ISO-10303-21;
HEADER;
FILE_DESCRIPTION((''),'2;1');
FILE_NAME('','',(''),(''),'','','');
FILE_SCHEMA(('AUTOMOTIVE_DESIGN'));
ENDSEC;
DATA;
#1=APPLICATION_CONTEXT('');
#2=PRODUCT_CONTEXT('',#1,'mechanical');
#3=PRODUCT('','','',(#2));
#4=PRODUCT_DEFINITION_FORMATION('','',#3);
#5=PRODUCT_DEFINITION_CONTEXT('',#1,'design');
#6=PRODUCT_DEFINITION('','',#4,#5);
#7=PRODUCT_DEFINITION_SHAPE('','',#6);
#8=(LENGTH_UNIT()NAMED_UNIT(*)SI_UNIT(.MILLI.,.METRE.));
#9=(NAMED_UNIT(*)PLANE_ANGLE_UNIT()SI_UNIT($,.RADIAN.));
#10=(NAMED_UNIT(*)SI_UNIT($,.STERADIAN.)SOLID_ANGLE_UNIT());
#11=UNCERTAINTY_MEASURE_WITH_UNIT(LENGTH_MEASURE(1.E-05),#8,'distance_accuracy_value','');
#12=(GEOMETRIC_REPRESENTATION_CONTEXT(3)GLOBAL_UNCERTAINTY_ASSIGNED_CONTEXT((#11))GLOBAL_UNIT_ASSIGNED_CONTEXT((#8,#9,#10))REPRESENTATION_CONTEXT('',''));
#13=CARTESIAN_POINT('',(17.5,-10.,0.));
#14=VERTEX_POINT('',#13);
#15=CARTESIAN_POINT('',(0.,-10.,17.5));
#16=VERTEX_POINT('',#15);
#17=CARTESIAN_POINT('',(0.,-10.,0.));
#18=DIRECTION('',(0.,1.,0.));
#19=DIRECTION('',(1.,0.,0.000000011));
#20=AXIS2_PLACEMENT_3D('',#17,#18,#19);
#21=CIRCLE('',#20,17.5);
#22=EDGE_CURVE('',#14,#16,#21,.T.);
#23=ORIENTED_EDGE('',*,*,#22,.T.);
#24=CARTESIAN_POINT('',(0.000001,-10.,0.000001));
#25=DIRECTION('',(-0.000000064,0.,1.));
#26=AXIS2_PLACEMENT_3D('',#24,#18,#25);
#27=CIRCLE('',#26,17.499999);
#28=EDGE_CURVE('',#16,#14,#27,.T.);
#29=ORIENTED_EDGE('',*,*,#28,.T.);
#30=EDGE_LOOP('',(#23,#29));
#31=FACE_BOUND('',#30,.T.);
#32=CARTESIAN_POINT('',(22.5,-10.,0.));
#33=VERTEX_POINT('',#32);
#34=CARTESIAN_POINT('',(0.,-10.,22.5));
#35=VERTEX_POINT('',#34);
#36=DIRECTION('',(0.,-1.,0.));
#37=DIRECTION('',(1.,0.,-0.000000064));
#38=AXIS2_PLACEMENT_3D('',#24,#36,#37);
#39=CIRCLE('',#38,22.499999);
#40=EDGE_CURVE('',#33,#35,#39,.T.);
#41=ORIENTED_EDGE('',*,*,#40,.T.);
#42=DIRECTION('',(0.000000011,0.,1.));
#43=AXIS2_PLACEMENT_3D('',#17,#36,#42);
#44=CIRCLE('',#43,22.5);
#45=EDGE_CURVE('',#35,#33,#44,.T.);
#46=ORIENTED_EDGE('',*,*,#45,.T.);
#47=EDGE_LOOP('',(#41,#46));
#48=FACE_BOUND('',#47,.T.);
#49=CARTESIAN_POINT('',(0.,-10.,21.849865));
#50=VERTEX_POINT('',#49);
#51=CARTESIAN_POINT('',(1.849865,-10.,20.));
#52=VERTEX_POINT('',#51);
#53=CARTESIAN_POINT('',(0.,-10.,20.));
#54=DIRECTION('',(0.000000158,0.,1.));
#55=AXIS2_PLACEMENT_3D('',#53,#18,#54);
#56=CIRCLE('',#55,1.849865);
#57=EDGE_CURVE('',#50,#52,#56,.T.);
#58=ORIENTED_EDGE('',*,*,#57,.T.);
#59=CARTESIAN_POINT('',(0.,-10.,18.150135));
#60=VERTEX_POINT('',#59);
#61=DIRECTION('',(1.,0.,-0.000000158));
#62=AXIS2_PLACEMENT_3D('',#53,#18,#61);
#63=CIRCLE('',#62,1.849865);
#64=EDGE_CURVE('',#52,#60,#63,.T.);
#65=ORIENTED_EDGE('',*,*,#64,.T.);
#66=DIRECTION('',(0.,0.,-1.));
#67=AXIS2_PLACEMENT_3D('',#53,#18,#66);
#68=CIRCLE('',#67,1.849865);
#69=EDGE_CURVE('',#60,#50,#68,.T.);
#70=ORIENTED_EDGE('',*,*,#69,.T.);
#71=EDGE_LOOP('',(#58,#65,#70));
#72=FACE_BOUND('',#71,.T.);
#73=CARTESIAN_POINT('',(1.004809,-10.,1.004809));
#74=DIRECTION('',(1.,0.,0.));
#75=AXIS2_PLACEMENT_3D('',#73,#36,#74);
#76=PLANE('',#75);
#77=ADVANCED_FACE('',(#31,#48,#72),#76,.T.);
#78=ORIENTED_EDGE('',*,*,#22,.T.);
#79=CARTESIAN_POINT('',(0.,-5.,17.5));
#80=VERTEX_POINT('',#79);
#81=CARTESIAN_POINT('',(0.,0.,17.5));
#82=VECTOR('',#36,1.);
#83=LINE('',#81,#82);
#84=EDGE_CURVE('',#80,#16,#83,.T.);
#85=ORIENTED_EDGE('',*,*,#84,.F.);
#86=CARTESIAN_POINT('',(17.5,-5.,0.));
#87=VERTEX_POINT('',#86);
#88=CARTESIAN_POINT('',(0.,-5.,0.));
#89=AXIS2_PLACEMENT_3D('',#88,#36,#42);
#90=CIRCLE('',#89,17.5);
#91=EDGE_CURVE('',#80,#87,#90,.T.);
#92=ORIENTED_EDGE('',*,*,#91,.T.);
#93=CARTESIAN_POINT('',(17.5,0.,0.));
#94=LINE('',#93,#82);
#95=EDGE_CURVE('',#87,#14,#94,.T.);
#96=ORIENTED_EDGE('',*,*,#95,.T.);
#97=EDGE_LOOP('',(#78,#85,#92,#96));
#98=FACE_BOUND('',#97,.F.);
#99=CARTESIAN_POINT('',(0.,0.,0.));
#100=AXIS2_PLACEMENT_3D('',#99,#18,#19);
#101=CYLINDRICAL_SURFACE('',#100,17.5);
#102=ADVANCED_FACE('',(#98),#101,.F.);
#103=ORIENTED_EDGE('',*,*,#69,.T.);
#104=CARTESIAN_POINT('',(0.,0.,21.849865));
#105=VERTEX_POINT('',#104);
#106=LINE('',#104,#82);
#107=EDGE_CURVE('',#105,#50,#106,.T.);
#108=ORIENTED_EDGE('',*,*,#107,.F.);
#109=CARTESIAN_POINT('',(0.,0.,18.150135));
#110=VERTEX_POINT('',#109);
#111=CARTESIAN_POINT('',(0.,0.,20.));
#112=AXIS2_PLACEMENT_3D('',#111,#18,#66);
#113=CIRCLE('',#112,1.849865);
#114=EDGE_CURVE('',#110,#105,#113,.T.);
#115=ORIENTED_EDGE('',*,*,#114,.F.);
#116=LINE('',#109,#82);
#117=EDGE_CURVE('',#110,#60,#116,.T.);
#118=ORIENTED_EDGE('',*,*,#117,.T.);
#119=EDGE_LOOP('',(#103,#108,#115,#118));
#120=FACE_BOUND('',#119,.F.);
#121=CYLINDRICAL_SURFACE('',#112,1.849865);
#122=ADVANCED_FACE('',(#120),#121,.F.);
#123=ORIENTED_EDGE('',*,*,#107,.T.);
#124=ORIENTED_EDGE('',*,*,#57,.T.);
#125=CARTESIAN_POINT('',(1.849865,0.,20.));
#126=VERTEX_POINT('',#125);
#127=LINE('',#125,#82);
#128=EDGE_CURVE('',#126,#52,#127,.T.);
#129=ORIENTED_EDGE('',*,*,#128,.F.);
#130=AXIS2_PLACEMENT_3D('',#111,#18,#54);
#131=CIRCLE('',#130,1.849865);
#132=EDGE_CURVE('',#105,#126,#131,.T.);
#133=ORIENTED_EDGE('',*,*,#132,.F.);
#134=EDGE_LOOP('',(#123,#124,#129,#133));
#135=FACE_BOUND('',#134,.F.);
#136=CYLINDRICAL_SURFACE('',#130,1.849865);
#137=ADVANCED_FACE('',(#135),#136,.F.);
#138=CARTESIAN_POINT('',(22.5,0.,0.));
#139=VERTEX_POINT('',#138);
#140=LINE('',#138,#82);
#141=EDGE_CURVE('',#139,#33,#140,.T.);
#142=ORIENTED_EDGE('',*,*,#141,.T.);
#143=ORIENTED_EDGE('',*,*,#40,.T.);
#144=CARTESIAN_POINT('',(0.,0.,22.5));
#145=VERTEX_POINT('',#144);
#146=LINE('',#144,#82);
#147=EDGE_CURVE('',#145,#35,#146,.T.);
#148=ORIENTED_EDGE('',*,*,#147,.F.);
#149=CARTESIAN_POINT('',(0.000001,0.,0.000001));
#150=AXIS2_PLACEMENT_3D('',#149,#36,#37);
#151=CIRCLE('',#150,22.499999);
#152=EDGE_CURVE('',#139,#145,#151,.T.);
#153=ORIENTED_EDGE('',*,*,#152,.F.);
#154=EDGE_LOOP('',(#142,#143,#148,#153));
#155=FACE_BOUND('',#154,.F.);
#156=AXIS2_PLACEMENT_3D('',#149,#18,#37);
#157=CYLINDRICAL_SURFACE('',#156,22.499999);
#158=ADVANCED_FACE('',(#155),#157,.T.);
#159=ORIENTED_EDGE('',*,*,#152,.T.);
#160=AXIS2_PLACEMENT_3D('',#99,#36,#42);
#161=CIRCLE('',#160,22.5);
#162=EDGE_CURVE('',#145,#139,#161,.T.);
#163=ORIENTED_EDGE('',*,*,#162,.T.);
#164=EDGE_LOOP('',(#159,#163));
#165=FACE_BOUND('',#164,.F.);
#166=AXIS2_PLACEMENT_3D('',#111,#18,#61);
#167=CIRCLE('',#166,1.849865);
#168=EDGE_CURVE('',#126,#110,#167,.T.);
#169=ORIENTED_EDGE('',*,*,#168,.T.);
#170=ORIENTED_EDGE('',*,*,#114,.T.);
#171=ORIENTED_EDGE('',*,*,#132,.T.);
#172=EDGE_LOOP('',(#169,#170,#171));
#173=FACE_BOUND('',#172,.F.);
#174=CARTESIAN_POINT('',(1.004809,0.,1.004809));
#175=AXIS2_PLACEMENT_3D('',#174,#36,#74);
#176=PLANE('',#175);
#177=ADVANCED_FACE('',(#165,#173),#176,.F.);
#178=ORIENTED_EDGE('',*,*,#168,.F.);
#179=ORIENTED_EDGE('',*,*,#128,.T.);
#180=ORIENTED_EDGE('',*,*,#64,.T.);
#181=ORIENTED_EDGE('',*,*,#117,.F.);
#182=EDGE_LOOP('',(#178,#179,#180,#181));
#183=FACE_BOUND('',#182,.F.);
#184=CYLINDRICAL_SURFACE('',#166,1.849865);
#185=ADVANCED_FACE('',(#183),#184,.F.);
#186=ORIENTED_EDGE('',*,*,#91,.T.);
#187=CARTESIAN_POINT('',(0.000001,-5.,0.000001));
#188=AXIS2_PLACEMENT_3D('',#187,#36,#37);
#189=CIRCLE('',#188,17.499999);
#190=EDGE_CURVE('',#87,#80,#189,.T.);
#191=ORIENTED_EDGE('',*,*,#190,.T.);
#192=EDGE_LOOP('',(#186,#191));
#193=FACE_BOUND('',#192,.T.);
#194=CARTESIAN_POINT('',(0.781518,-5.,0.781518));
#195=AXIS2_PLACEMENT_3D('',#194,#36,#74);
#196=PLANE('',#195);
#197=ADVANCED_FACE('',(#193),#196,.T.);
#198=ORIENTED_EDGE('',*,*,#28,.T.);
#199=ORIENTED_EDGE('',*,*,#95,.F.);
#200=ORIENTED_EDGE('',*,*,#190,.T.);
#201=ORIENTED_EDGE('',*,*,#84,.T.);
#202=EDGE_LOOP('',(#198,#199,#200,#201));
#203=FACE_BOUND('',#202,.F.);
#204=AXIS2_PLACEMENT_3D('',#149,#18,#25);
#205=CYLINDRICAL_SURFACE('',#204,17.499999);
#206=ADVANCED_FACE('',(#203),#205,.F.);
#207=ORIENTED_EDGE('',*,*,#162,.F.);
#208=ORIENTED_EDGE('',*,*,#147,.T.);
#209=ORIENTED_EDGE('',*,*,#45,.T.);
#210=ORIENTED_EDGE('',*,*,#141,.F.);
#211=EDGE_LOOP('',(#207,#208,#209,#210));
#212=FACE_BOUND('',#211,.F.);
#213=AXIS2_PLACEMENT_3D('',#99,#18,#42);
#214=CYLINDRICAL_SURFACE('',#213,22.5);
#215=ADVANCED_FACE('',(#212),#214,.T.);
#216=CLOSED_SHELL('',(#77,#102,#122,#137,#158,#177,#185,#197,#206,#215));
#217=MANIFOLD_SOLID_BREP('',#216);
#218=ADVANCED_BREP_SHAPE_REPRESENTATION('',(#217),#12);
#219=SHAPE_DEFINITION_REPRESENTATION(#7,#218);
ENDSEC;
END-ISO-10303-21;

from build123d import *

# Parameters (mm, degrees)
F1_DEPTH = 5
F2_DEPTH = 10


with BuildPart() as f1:
    # F0 (on Front) → F1 (new body)
    with BuildSketch(Plane.XZ):
        with BuildLine():
            ThreePointArc((17.5, 0), (12.374369, 12.374369), (0, 17.5))
            ThreePointArc((0, 17.5), (-12.374369, -12.374369), (17.5, 0))
        make_face()
    extrude(amount=F1_DEPTH)

    # F0 (on Front) → F2 (join)
    with BuildSketch(Plane.XZ):
        with BuildLine():
            ThreePointArc((0, 22.5), (-15.909903, -15.909903), (22.5, 0))
            ThreePointArc((22.5, 0), (15.909903, 15.909903), (0, 22.5))
        make_face()
        with BuildLine():
            ThreePointArc((17.5, 0), (-12.374369, -12.374369), (0, 17.5))
            ThreePointArc((0, 17.5), (12.374369, 12.374369), (17.5, 0))
        make_face(mode=Mode.SUBTRACT)
        with BuildLine():
            ThreePointArc((0, 18.150135), (-1.849865, 20), (0, 21.849865))
            ThreePointArc((0, 21.849865), (1.308052, 21.308052), (1.849865, 20))
            ThreePointArc((1.849865, 20), (1.308052, 18.691948), (0, 18.150135))
        make_face(mode=Mode.SUBTRACT)
    extrude(amount=F2_DEPTH)


solid = f1.part
